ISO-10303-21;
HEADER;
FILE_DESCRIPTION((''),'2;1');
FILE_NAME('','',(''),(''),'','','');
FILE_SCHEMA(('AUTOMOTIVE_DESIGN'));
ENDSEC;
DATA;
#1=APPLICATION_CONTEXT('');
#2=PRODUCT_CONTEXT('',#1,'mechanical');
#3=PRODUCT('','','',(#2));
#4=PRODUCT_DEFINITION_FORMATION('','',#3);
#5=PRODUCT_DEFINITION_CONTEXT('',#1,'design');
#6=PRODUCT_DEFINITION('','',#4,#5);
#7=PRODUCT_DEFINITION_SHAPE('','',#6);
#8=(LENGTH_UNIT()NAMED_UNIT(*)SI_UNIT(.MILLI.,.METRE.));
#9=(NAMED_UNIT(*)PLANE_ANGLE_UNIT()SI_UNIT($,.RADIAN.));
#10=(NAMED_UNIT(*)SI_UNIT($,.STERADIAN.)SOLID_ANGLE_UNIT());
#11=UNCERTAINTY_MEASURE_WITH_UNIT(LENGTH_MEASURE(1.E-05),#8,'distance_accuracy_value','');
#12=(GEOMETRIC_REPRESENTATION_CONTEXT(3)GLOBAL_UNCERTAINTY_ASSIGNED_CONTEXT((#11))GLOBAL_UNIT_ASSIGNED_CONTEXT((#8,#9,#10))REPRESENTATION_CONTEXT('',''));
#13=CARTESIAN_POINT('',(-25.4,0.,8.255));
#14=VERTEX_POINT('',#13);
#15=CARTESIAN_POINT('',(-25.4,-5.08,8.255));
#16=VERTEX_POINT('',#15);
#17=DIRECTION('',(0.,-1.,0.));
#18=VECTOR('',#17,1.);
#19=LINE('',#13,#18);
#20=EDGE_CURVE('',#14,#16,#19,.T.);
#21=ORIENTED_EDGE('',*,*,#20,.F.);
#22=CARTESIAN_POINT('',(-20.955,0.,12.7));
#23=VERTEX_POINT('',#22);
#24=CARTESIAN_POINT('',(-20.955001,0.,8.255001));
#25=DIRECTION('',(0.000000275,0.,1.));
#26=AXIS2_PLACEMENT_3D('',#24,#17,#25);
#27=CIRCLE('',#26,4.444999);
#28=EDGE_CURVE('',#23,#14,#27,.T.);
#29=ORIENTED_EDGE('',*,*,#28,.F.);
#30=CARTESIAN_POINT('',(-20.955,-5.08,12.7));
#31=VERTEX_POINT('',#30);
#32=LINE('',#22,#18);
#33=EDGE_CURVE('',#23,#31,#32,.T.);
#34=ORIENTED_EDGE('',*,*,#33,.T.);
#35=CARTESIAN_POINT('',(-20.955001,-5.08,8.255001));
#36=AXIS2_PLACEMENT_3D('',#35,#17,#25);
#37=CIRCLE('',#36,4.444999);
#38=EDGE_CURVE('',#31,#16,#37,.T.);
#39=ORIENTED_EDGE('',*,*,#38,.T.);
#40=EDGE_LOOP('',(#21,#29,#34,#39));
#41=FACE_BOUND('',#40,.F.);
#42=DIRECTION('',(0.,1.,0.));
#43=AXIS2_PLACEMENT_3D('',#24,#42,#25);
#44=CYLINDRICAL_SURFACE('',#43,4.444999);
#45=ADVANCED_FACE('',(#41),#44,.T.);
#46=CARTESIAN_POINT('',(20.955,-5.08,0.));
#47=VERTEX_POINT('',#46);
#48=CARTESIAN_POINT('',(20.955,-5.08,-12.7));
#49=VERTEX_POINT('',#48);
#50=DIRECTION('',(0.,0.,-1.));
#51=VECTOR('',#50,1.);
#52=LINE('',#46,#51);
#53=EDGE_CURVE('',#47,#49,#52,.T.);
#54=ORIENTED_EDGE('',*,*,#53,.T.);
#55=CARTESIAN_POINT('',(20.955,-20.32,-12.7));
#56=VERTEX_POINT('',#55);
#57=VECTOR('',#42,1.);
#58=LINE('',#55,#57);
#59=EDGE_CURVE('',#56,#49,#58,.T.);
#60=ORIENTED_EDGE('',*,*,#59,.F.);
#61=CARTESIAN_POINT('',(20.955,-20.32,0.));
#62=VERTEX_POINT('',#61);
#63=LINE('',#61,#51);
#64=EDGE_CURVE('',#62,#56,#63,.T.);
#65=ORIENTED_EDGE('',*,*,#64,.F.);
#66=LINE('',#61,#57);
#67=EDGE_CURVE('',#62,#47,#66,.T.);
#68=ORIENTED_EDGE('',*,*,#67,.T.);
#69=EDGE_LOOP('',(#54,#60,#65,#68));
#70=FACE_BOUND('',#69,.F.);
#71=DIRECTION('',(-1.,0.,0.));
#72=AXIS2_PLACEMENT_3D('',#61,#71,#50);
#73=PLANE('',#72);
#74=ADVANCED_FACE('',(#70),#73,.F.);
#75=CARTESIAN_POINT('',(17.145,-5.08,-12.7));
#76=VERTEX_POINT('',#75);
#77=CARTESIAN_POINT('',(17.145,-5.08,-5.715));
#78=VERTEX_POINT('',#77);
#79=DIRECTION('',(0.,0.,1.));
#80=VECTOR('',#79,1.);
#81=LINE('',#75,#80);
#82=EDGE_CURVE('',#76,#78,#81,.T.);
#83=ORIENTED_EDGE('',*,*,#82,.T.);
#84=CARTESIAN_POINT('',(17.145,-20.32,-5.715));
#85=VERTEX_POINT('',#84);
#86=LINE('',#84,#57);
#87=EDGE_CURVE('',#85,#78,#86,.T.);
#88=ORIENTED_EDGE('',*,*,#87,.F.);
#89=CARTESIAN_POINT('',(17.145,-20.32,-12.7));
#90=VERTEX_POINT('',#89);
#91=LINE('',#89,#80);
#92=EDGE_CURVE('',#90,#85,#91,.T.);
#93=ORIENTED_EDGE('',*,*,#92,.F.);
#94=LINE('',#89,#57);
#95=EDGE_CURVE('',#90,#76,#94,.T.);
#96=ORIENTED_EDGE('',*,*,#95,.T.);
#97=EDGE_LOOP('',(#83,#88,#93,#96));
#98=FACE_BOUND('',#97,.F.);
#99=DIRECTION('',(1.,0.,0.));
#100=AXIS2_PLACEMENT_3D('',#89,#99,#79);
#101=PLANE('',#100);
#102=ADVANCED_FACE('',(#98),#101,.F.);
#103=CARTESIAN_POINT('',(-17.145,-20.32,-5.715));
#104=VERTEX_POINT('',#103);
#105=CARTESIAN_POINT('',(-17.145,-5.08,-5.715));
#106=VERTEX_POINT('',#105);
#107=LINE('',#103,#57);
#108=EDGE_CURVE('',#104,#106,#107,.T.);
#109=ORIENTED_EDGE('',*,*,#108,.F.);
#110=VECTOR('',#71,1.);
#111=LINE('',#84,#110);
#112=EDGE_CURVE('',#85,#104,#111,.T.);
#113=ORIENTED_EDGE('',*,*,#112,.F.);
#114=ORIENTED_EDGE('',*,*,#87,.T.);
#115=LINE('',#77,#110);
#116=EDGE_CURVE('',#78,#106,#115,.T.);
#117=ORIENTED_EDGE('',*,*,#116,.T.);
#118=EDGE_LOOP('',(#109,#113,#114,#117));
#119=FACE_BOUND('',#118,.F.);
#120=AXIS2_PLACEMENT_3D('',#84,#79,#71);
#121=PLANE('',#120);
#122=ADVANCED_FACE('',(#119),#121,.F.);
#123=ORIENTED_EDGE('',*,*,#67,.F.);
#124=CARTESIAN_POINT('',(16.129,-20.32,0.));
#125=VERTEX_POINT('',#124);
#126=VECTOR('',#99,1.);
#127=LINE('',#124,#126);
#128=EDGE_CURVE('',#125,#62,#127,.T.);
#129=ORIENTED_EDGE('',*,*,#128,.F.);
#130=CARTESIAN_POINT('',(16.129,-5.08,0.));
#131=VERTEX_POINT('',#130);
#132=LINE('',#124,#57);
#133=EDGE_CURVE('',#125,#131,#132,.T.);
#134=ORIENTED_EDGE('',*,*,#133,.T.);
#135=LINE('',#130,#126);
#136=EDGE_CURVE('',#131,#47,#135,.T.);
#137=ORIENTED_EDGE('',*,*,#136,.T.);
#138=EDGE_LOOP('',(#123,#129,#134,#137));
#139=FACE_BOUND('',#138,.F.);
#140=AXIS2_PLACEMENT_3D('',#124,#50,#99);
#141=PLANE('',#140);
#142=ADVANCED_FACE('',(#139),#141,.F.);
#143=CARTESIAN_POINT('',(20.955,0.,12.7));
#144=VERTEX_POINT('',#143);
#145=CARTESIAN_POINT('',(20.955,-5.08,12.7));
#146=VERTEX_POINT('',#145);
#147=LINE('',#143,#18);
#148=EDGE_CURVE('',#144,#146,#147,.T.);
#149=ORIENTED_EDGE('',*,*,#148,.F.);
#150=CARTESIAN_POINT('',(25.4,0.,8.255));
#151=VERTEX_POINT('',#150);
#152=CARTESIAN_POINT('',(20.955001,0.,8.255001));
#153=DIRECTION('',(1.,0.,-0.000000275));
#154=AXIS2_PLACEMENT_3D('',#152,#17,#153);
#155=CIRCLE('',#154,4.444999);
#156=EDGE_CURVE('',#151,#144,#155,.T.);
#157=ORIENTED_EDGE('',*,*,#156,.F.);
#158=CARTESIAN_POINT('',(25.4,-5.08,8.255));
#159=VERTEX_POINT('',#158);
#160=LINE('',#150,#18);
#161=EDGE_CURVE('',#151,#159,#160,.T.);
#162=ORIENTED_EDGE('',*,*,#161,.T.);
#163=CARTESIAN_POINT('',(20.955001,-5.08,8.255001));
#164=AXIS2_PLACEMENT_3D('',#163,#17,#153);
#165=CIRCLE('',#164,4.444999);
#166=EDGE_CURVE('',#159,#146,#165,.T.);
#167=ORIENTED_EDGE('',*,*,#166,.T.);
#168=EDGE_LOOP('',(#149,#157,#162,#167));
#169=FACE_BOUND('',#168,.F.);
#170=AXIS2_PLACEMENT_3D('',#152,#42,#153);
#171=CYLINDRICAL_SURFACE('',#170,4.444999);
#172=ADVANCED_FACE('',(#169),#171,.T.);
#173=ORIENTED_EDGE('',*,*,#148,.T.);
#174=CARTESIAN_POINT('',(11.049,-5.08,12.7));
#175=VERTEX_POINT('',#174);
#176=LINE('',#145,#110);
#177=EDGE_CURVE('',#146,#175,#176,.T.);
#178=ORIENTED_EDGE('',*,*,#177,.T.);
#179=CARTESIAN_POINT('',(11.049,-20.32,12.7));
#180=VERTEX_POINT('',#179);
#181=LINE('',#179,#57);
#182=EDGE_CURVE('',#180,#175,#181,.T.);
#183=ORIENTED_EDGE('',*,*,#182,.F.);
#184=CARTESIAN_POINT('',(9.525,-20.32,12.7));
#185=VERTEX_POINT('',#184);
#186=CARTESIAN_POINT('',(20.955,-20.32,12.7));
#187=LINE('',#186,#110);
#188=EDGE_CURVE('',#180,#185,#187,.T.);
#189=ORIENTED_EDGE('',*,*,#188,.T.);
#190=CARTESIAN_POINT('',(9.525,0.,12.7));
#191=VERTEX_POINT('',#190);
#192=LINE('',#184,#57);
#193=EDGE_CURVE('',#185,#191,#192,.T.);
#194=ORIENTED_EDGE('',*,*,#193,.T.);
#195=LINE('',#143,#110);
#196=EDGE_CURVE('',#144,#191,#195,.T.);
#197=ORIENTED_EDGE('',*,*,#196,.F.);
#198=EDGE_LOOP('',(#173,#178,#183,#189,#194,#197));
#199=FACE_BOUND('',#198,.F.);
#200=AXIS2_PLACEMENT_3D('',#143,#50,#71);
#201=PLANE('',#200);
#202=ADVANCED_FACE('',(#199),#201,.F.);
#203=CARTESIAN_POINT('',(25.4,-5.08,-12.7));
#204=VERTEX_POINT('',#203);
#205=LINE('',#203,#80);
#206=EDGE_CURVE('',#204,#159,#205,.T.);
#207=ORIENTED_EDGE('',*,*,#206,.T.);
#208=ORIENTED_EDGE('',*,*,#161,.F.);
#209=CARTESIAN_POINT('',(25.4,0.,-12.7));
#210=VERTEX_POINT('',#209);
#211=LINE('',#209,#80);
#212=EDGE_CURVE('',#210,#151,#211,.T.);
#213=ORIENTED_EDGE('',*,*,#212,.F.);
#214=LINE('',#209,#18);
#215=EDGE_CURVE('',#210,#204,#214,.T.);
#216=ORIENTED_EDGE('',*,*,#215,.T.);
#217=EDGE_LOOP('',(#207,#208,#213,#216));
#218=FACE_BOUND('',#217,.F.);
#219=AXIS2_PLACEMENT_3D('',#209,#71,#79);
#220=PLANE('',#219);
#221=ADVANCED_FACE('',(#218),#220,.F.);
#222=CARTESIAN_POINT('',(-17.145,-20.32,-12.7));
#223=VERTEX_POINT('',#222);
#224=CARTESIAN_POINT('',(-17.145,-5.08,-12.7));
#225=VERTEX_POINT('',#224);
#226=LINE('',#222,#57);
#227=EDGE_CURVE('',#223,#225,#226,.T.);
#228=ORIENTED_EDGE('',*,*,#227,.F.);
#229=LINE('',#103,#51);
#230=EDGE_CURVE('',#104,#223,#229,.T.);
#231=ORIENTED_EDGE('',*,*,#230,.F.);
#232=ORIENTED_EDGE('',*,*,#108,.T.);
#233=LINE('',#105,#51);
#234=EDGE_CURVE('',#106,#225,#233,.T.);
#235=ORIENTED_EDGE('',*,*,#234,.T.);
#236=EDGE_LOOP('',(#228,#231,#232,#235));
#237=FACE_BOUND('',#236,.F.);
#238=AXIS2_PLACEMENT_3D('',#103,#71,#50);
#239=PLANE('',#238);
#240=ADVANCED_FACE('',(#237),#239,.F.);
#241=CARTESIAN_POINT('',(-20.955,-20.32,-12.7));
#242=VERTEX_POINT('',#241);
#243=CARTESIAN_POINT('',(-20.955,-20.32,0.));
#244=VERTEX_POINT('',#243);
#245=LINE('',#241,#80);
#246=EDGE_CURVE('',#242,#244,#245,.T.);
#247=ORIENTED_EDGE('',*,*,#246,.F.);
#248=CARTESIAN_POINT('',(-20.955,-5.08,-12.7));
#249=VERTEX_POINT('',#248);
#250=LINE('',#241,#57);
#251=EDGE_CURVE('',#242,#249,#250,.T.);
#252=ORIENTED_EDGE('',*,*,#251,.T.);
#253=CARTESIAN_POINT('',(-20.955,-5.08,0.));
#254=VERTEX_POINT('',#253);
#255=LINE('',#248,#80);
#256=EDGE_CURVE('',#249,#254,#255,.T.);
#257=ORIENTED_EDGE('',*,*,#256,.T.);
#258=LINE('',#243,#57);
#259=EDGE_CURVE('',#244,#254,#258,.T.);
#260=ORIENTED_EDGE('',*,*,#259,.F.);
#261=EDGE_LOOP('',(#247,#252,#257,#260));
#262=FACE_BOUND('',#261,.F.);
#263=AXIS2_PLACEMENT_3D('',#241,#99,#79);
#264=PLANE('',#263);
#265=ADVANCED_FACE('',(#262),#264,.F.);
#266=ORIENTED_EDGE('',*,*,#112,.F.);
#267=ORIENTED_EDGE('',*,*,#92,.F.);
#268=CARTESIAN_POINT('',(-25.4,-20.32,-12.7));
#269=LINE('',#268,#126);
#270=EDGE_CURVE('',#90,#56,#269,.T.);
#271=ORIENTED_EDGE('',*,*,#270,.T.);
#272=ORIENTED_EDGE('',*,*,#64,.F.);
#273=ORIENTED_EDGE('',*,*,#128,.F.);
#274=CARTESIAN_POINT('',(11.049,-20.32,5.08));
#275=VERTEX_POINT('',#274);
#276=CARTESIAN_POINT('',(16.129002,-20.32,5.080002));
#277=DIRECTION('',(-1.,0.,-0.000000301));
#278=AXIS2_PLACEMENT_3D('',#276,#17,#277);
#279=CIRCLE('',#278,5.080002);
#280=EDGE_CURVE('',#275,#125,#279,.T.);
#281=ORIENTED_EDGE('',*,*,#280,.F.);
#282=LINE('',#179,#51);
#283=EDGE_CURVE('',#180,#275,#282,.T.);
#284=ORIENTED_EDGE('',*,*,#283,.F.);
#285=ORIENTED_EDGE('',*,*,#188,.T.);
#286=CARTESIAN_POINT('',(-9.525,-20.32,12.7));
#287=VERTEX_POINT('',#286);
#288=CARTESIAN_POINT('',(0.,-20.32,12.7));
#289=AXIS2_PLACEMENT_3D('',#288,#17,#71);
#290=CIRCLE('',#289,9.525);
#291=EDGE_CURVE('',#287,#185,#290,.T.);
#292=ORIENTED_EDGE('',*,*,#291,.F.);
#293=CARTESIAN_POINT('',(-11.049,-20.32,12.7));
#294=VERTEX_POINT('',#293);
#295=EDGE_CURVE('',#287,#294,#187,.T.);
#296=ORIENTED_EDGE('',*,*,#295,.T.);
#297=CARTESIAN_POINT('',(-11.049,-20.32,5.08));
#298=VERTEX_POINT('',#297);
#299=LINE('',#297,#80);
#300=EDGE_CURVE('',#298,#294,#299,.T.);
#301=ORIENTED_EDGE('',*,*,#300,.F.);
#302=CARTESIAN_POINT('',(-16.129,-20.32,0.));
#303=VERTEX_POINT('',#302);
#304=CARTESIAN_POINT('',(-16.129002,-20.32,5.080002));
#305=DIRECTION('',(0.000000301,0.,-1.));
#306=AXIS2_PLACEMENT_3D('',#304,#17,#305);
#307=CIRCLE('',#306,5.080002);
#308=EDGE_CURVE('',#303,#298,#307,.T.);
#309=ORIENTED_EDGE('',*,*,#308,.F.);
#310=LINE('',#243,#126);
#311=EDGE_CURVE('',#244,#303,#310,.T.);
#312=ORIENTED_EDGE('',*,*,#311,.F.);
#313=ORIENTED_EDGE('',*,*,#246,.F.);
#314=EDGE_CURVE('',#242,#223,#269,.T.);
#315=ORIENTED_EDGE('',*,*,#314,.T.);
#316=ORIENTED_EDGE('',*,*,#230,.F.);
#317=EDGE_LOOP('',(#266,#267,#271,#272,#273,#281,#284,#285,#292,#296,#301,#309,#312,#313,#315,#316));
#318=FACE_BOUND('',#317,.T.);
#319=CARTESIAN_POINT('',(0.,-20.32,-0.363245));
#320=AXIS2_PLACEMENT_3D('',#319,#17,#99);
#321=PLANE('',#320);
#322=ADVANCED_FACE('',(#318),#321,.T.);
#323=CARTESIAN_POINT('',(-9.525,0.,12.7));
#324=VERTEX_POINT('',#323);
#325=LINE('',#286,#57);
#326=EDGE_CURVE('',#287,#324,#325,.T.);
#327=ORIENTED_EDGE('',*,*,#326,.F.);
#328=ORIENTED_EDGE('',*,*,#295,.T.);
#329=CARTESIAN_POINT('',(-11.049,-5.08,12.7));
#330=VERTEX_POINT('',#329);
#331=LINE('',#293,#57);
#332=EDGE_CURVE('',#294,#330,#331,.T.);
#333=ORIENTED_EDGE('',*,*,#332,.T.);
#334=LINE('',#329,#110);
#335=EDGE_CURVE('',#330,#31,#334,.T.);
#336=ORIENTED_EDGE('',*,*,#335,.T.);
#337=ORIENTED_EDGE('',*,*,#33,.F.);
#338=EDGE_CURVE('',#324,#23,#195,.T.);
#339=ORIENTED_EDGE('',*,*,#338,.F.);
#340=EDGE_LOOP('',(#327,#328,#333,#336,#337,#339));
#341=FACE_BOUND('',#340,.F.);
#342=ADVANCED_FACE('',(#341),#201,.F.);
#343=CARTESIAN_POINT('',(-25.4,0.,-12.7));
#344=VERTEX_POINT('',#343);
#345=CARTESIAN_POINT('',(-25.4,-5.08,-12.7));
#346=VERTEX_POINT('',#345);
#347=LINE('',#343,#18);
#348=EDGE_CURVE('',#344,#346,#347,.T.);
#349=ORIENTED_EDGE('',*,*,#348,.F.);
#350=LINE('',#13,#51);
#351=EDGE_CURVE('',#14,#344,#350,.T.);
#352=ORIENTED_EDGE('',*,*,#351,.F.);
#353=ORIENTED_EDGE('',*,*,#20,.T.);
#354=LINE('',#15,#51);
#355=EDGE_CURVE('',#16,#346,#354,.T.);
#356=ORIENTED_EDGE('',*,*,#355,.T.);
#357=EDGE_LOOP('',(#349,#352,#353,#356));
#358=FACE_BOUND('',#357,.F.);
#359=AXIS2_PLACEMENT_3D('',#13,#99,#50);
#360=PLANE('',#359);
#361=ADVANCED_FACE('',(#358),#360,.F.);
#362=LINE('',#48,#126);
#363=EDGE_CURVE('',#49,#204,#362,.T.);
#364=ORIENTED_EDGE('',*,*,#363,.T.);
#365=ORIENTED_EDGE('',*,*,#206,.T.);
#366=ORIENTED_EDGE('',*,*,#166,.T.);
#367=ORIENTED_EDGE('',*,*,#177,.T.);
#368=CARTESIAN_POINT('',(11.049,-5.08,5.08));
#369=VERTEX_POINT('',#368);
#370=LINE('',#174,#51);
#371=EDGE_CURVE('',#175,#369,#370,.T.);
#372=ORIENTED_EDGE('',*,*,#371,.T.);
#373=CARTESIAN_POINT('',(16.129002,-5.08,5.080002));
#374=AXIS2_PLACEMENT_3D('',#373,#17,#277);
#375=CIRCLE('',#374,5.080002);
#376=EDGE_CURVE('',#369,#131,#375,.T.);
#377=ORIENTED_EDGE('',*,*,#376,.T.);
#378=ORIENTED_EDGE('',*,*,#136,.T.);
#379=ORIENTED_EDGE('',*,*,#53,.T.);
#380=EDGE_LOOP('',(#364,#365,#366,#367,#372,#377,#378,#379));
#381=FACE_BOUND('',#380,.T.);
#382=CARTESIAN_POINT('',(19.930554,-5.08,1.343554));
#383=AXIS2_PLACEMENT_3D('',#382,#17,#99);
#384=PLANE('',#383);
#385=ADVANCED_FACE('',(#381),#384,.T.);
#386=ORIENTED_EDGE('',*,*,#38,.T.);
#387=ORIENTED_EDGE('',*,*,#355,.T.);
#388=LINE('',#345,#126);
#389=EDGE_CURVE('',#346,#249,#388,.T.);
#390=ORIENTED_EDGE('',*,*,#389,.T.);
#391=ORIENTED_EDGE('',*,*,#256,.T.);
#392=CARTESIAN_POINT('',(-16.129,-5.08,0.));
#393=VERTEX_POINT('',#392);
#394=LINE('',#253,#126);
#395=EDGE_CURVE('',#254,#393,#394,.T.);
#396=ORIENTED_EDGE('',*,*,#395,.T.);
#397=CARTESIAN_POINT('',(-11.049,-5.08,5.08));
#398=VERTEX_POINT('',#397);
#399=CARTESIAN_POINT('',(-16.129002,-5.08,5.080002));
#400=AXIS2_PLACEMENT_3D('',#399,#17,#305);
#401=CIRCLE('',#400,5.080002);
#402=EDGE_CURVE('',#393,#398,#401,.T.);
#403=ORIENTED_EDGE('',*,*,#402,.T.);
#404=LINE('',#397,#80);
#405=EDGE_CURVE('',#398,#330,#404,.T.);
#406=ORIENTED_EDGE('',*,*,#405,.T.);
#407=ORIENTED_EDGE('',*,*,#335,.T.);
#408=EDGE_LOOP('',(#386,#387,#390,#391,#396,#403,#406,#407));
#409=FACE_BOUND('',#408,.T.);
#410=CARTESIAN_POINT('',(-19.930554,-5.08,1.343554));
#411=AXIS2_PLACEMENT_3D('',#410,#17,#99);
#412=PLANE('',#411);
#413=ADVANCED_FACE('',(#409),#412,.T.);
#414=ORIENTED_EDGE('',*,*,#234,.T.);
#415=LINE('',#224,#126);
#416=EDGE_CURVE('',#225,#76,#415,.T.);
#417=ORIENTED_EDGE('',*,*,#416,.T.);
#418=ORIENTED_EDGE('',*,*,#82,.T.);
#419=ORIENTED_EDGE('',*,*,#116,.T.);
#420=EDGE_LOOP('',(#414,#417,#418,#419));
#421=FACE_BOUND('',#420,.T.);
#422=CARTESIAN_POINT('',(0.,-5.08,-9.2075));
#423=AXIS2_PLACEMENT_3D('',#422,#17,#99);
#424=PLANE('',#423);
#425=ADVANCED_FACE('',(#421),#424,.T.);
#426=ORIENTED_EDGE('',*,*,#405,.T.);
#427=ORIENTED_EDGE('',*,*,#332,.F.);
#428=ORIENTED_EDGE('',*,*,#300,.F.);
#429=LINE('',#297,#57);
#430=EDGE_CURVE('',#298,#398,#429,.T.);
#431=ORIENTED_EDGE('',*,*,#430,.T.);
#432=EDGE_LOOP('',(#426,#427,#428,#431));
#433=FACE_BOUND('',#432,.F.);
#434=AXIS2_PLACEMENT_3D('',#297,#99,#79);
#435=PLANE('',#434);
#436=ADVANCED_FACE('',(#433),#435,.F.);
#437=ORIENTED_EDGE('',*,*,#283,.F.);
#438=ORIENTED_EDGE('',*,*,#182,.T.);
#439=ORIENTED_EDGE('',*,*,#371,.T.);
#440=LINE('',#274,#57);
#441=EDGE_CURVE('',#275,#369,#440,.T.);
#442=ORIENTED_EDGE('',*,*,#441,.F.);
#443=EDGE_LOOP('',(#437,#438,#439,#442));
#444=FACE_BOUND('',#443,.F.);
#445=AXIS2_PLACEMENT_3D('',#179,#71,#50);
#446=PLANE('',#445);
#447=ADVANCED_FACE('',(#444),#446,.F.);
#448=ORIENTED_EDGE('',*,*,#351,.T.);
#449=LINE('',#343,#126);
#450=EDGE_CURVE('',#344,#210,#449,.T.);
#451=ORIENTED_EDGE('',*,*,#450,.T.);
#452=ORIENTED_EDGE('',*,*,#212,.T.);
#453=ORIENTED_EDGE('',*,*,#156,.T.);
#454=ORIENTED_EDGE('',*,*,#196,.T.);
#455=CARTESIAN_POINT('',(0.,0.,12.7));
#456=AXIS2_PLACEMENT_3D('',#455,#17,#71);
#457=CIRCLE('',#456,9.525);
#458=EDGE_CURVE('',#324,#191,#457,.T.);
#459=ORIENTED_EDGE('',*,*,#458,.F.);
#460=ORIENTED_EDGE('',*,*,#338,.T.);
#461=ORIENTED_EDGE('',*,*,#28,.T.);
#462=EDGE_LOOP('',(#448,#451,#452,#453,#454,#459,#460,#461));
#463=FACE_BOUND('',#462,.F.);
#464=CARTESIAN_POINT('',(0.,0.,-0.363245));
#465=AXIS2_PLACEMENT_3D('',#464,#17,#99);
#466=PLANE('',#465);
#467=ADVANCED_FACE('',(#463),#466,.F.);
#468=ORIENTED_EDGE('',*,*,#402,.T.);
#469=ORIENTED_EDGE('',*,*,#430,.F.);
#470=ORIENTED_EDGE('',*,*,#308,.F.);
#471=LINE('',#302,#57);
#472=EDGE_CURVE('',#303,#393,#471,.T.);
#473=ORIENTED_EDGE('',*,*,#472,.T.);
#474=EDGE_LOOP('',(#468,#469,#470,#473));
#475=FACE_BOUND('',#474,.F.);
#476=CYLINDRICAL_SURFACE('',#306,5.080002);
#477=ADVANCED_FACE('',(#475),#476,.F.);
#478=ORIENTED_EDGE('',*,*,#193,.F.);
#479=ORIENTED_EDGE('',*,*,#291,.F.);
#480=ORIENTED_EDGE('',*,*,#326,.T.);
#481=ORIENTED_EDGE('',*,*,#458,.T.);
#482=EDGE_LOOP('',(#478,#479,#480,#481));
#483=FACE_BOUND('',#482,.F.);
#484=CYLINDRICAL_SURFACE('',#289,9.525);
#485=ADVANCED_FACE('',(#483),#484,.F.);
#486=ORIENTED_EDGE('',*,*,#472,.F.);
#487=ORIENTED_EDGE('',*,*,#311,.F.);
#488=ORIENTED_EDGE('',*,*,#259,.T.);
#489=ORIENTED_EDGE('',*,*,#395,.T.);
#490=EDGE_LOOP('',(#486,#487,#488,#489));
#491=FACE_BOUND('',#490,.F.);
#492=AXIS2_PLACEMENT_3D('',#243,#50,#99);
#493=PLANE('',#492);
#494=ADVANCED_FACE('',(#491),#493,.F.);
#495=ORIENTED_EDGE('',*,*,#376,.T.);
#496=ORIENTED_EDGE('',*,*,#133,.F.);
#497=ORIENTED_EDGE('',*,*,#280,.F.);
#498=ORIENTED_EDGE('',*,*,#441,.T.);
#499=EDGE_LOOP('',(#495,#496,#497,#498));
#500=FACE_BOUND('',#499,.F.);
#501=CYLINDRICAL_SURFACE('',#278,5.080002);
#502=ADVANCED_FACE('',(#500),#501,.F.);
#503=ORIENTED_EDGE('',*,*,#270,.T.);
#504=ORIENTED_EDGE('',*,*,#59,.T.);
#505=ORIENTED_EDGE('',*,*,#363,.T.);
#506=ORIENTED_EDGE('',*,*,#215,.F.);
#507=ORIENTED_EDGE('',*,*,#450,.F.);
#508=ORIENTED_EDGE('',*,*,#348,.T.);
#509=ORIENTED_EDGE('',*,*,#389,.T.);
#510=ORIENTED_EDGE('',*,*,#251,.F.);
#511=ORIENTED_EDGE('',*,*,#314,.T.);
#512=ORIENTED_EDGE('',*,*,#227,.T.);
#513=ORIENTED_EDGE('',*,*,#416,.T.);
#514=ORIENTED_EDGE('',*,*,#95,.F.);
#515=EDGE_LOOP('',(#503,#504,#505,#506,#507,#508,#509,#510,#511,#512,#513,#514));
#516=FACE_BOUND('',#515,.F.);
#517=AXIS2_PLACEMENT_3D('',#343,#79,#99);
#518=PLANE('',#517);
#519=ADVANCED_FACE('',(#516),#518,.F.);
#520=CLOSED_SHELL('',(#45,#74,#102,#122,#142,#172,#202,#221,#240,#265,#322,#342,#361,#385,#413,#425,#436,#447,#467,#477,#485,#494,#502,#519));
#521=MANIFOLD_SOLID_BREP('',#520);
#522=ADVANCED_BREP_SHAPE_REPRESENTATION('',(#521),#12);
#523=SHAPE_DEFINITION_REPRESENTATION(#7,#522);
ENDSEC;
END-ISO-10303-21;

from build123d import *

# Parameters (mm, degrees)
F1_DEPTH = 20.32
F3_DEPTH = 20.321
F5_DEPTH = 15.24


with BuildPart() as f1:
    # F0 (on Front) → F1 (new body)
    with BuildSketch(Plane.XZ):
        with BuildLine():
            Line((-25.4, 8.255), (-25.4, -12.7))
            Line((-25.4, -12.7), (25.4, -12.7))
            Line((25.4, -12.7), (25.4, 8.255))
            ThreePointArc((25.4, 8.255), (24.09809, 11.39809), (20.955, 12.7))
            Line((20.955, 12.7), (-20.955, 12.7))
            ThreePointArc((-20.955, 12.7), (-24.09809, 11.39809), (-25.4, 8.255))
        make_face()
    extrude(amount=F1_DEPTH)

    # F2 (on face) → F3 (cut, through all)
    with BuildSketch(Plane.XZ.offset(20.32)):
        with BuildLine():
            Line((9.525, 12.7), (-9.525, 12.7))
            ThreePointArc((-9.525, 12.7), (0, 3.175), (9.525, 12.7))
        make_face()
    extrude(amount=-F3_DEPTH, mode=Mode.SUBTRACT)

    # F4 (on face) → F5 (cut)
    with BuildSketch(Plane.XZ.offset(20.32)):
        with BuildLine():
            Line((-11.049, 5.08), (-11.049, 12.7))
            Line((-11.049, 12.7), (-20.955, 12.7))
            ThreePointArc((-20.955, 12.7), (-24.09809, 11.39809), (-25.4, 8.255))
            Line((-25.4, 8.255), (-25.4, -12.7))
            Line((-25.4, -12.7), (-20.955, -12.7))
            Line((-20.955, -12.7), (-20.955, 0))
            Line((-20.955, 0), (-16.129, 0))
            ThreePointArc((-16.129, 0), (-12.536898, 1.487898), (-11.049, 5.08))
        make_face()
        Polygon((-17.145, -12.7), (17.145, -12.7), (17.145, -5.715), (0, -5.715), (-17.145, -5.715), align=None)
        with BuildLine():
            Line((20.955, 12.7), (11.049, 12.7))
            Line((11.049, 12.7), (11.049, 5.08))
            ThreePointArc((11.049, 5.08), (12.536898, 1.487898), (16.129, 0))
            Line((16.129, 0), (20.955, 0))
            Line((20.955, 0), (20.955, -12.7))
            Line((20.955, -12.7), (25.4, -12.7))
            Line((25.4, -12.7), (25.4, 8.255))
            ThreePointArc((25.4, 8.255), (24.09809, 11.39809), (20.955, 12.7))
        make_face()
    extrude(amount=-F5_DEPTH, mode=Mode.SUBTRACT)


solid = f1.part
